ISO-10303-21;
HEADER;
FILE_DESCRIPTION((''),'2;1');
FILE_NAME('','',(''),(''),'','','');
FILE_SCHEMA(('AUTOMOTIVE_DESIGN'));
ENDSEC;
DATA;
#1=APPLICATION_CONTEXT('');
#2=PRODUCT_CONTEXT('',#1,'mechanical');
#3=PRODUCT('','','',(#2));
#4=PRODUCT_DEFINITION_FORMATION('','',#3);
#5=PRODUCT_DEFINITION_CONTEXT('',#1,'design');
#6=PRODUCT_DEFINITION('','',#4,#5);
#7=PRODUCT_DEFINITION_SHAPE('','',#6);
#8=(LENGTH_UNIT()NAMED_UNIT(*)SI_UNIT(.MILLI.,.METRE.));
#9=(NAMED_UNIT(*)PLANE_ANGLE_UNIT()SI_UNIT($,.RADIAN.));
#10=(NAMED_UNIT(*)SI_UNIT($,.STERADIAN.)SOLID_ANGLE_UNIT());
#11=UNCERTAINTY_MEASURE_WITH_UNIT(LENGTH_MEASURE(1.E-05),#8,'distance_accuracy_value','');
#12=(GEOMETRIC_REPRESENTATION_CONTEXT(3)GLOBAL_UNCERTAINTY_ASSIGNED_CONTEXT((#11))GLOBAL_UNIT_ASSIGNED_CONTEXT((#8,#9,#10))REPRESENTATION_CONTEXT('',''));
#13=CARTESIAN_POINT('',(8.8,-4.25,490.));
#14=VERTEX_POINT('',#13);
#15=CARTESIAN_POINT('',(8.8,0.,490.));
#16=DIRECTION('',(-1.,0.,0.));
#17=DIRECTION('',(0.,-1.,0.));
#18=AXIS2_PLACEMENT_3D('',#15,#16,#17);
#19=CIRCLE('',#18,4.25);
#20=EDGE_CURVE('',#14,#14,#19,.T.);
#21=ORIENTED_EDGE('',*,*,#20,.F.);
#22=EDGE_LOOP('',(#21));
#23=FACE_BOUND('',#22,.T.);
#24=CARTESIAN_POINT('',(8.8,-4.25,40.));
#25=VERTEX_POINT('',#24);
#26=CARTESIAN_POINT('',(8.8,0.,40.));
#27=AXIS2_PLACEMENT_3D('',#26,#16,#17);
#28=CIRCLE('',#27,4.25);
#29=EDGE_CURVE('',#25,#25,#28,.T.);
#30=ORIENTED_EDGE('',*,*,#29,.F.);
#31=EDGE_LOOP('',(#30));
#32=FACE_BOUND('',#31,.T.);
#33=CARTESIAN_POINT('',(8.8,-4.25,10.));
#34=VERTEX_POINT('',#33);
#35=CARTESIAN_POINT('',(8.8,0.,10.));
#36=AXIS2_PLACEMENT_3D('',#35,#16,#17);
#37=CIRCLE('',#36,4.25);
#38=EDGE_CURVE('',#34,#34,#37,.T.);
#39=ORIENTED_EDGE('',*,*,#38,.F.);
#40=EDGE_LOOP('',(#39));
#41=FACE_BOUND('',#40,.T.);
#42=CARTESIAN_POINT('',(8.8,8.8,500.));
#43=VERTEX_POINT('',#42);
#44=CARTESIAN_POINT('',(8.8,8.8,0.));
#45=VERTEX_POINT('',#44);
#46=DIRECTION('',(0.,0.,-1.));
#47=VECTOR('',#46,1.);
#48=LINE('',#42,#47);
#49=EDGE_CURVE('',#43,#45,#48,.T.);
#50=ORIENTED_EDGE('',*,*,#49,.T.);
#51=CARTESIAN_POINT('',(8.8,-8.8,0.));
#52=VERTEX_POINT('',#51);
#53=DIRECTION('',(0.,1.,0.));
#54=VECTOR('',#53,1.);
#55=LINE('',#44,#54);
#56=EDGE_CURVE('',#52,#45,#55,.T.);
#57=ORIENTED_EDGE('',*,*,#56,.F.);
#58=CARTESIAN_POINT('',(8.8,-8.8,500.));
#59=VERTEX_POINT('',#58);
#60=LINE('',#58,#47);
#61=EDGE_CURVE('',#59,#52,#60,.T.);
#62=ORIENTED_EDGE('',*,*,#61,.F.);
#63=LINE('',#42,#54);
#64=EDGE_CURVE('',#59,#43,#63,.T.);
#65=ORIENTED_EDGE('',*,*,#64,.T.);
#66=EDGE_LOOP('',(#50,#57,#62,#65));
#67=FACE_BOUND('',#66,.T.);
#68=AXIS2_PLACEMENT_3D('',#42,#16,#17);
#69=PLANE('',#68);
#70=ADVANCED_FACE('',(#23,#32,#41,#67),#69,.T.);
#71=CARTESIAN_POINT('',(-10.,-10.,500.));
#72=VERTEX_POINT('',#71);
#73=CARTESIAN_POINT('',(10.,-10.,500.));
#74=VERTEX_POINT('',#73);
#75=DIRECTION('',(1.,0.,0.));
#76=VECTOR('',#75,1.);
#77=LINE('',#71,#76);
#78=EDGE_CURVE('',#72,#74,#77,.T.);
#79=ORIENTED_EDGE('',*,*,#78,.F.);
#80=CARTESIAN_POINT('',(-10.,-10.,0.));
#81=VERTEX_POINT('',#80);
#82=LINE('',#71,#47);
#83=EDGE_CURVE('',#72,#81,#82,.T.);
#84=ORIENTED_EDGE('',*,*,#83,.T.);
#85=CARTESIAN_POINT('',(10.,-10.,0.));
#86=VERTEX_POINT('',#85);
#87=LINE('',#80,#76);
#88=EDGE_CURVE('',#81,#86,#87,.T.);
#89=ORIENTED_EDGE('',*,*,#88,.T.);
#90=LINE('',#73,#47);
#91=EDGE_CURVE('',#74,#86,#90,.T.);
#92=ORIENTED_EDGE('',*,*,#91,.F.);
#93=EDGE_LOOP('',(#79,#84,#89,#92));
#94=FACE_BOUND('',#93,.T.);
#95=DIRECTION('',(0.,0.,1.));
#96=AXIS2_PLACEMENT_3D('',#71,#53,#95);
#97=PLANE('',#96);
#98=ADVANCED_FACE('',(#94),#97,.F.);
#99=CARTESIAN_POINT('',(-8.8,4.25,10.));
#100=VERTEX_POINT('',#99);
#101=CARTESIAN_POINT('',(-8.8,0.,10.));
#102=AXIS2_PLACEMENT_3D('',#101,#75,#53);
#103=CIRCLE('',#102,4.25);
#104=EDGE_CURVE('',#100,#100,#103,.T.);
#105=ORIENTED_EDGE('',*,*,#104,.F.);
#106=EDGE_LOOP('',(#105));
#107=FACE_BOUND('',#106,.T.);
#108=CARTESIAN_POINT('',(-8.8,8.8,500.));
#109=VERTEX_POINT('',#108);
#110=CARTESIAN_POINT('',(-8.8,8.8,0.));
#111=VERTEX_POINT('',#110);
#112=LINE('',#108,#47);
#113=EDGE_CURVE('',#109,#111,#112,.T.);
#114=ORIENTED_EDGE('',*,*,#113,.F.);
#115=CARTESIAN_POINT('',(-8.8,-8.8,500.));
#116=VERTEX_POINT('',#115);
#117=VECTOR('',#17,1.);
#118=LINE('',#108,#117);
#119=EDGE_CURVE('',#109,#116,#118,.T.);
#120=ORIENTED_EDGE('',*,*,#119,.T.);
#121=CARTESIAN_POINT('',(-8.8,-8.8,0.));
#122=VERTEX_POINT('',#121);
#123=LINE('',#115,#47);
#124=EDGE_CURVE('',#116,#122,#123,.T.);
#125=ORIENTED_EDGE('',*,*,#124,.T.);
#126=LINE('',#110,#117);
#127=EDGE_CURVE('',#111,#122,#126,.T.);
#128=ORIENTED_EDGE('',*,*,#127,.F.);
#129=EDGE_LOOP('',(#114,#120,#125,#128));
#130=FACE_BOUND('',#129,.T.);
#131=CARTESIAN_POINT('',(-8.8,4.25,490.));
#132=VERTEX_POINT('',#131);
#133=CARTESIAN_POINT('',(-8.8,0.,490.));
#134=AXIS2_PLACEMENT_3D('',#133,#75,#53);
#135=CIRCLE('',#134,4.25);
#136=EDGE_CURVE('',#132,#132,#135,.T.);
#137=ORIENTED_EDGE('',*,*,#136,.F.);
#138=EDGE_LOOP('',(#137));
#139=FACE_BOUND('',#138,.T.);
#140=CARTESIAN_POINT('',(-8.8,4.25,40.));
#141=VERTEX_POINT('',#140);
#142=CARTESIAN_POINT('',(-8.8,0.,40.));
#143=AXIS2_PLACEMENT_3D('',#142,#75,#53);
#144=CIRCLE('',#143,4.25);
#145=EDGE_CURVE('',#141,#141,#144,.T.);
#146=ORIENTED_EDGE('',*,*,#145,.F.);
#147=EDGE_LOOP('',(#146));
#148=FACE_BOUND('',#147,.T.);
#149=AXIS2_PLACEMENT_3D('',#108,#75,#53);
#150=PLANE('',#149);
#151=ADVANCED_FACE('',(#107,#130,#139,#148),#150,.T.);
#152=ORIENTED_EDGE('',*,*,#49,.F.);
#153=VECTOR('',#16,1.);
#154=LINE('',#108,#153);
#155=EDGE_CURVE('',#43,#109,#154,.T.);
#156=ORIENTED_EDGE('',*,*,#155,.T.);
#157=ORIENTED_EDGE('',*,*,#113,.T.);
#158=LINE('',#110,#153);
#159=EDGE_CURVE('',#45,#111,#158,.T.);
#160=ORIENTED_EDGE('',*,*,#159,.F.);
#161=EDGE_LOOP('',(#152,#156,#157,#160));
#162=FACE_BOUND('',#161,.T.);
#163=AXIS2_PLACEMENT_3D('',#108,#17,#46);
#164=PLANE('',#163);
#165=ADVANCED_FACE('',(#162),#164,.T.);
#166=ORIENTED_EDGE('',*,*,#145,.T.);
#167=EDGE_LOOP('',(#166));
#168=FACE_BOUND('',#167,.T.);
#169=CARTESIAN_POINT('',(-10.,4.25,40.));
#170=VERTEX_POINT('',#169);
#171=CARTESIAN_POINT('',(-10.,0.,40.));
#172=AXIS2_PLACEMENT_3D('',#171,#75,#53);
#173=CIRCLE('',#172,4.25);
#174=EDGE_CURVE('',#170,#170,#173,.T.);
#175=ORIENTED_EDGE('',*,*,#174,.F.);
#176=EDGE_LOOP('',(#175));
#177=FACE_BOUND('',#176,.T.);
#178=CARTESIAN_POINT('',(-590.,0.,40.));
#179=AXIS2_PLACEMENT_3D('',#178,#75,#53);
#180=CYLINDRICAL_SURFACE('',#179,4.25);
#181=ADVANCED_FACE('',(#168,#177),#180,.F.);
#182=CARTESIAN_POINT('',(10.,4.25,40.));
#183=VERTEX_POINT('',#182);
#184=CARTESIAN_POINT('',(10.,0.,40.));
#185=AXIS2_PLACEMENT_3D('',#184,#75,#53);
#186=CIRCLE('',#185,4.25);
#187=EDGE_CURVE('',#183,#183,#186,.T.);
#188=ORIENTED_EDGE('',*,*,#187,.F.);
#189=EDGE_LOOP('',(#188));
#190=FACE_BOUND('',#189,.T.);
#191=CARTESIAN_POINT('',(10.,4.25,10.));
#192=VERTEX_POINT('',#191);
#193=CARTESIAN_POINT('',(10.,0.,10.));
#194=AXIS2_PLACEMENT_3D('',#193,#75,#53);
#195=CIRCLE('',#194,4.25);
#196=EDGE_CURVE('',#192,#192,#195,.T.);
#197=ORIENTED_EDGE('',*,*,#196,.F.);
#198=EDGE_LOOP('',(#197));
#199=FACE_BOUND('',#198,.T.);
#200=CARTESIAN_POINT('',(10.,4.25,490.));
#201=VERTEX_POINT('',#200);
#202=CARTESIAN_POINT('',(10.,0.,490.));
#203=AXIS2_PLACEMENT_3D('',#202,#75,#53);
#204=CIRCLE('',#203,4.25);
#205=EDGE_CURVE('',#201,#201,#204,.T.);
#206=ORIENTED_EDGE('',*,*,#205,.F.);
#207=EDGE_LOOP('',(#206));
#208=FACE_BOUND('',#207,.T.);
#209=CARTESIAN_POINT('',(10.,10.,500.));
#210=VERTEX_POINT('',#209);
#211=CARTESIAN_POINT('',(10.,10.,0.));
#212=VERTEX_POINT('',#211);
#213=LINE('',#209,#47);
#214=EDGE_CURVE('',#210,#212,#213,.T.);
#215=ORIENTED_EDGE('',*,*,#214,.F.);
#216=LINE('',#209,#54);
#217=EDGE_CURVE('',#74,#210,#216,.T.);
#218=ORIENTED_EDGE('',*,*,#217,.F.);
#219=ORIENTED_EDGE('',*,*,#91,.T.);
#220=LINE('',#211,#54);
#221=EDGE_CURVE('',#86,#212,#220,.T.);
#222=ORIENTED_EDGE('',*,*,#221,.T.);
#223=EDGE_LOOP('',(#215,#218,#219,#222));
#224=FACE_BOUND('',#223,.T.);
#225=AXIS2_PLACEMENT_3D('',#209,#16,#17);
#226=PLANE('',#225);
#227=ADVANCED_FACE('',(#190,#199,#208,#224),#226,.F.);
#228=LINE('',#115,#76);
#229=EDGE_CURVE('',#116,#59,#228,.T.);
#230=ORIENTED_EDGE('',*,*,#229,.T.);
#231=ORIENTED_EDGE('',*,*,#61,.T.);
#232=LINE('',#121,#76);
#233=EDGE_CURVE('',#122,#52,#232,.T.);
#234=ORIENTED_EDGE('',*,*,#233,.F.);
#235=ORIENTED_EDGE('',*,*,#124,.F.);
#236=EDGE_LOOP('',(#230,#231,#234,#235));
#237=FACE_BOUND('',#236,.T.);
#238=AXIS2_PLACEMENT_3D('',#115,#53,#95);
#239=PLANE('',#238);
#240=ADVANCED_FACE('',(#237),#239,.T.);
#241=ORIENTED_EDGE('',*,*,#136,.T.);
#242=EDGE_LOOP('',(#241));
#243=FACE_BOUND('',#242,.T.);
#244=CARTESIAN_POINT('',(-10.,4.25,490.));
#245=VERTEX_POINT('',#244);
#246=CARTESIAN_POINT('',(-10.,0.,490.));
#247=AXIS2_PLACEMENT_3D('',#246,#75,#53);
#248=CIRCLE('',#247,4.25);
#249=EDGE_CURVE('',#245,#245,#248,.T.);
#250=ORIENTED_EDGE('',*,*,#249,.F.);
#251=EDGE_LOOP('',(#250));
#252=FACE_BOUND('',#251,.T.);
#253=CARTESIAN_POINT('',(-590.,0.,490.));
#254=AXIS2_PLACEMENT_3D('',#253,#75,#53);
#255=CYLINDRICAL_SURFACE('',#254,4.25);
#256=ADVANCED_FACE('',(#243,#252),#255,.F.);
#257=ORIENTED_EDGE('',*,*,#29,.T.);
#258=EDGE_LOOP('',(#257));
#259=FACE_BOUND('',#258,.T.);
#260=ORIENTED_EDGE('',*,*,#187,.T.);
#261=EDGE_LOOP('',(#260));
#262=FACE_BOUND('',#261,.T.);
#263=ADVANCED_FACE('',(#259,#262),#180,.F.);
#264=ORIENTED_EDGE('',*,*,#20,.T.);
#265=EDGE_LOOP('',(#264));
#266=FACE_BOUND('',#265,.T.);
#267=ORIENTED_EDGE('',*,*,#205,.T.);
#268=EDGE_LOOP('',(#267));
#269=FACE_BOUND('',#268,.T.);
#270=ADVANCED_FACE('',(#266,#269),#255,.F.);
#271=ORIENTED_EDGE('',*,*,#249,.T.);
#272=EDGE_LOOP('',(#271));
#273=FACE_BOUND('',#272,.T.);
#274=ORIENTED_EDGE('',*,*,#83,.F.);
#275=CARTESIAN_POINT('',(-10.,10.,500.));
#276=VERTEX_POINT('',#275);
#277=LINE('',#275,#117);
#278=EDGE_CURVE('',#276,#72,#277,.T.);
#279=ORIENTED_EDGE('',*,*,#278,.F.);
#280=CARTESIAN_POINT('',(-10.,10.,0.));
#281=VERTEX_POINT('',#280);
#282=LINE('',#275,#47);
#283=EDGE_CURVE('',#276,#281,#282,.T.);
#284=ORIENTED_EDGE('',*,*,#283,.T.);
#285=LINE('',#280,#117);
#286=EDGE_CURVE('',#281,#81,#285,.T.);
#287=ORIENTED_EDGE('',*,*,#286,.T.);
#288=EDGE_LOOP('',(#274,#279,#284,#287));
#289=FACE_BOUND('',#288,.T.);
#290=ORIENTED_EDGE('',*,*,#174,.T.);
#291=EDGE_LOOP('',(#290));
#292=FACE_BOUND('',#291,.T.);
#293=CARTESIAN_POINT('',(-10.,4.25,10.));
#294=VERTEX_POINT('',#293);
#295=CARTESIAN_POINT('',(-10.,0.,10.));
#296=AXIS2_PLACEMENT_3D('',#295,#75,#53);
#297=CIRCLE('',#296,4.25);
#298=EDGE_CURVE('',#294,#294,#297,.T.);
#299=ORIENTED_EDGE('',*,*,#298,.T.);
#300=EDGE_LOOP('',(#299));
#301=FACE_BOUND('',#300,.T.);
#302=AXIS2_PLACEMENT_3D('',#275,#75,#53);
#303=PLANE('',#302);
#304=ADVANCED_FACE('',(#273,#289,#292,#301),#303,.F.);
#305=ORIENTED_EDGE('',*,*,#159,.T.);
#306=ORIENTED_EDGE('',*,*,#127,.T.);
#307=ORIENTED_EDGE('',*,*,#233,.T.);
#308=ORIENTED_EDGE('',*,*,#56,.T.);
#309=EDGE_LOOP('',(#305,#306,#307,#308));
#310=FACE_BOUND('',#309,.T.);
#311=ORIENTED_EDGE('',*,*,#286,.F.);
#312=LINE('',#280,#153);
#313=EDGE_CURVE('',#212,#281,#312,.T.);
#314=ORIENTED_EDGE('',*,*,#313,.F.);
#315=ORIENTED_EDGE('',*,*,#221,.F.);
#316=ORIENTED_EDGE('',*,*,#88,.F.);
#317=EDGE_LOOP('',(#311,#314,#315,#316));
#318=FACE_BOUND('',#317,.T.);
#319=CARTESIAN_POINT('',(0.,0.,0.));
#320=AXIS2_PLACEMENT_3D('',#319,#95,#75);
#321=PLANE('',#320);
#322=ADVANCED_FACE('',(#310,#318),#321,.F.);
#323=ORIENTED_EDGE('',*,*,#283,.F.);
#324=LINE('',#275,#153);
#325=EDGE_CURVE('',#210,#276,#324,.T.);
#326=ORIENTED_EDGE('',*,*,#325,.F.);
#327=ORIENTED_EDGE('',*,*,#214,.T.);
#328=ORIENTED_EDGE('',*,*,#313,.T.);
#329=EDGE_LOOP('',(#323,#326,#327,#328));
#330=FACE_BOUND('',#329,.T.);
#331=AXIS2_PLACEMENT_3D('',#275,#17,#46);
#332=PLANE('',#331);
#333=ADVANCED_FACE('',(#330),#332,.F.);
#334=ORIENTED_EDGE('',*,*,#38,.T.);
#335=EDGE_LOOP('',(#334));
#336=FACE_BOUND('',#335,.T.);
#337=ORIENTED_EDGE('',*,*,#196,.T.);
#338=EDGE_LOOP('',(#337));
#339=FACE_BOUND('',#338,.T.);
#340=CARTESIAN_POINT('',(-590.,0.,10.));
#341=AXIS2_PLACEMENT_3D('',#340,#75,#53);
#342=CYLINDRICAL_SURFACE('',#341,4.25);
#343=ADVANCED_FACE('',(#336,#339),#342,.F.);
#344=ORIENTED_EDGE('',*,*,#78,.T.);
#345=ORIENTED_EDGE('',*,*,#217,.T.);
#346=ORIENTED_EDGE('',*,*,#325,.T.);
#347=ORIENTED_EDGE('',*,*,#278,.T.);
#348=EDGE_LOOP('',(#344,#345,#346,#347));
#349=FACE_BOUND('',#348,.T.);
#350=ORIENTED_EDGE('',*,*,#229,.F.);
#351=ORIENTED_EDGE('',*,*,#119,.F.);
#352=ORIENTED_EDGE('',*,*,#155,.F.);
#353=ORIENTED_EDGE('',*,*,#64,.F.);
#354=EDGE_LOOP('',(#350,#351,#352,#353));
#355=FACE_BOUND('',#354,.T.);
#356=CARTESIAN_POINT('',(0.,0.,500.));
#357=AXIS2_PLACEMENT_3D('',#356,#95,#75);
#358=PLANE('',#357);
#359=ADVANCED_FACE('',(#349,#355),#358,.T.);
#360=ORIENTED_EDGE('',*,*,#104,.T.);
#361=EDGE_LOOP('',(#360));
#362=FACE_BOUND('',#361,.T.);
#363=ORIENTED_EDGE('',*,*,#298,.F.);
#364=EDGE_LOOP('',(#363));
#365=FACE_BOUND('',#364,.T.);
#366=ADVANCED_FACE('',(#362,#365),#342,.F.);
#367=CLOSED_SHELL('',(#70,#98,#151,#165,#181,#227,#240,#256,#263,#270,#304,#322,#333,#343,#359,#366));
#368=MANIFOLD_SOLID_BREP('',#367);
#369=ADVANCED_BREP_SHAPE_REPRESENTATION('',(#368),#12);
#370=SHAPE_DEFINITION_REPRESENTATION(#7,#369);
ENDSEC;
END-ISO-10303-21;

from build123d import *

# Parameters (mm, degrees)
SKETCH1_W           = 20
SKETCH1_H           = 20
SKETCH1_W_2         = 17.6
SKETCH1_H_2         = 17.6
BOSS_EXTRUDE1_DEPTH = 500
SKETCH2_R           = 4.25
CUT_EXTRUDE1_DEPTH  = 600


with BuildPart() as part:
    # Sketch1 → Boss-Extrude1 (new body)
    with BuildSketch(Plane.XY):
        Rectangle(SKETCH1_W, SKETCH1_H)
        Rectangle(SKETCH1_W_2, SKETCH1_H_2, mode=Mode.SUBTRACT)
    extrude(amount=BOSS_EXTRUDE1_DEPTH)

    # Sketch2 → Cut-Extrude1 (cut)
    with BuildSketch(Plane(origin=(10, 0, 0), x_dir=(0, 0, -1), z_dir=(1, 0, 0))):
        with Locations(Location((-490, 0, 0), (0, 0, 90))):
            Circle(SKETCH2_R)
        with Locations(Location((-10, 0, 0), (0, 0, 90))):
            Circle(SKETCH2_R)
        with Locations(Location((-40, 0, 0), (0, 0, 90))):
            Circle(SKETCH2_R)
    extrude(amount=-CUT_EXTRUDE1_DEPTH, mode=Mode.SUBTRACT)


solid = part.part
